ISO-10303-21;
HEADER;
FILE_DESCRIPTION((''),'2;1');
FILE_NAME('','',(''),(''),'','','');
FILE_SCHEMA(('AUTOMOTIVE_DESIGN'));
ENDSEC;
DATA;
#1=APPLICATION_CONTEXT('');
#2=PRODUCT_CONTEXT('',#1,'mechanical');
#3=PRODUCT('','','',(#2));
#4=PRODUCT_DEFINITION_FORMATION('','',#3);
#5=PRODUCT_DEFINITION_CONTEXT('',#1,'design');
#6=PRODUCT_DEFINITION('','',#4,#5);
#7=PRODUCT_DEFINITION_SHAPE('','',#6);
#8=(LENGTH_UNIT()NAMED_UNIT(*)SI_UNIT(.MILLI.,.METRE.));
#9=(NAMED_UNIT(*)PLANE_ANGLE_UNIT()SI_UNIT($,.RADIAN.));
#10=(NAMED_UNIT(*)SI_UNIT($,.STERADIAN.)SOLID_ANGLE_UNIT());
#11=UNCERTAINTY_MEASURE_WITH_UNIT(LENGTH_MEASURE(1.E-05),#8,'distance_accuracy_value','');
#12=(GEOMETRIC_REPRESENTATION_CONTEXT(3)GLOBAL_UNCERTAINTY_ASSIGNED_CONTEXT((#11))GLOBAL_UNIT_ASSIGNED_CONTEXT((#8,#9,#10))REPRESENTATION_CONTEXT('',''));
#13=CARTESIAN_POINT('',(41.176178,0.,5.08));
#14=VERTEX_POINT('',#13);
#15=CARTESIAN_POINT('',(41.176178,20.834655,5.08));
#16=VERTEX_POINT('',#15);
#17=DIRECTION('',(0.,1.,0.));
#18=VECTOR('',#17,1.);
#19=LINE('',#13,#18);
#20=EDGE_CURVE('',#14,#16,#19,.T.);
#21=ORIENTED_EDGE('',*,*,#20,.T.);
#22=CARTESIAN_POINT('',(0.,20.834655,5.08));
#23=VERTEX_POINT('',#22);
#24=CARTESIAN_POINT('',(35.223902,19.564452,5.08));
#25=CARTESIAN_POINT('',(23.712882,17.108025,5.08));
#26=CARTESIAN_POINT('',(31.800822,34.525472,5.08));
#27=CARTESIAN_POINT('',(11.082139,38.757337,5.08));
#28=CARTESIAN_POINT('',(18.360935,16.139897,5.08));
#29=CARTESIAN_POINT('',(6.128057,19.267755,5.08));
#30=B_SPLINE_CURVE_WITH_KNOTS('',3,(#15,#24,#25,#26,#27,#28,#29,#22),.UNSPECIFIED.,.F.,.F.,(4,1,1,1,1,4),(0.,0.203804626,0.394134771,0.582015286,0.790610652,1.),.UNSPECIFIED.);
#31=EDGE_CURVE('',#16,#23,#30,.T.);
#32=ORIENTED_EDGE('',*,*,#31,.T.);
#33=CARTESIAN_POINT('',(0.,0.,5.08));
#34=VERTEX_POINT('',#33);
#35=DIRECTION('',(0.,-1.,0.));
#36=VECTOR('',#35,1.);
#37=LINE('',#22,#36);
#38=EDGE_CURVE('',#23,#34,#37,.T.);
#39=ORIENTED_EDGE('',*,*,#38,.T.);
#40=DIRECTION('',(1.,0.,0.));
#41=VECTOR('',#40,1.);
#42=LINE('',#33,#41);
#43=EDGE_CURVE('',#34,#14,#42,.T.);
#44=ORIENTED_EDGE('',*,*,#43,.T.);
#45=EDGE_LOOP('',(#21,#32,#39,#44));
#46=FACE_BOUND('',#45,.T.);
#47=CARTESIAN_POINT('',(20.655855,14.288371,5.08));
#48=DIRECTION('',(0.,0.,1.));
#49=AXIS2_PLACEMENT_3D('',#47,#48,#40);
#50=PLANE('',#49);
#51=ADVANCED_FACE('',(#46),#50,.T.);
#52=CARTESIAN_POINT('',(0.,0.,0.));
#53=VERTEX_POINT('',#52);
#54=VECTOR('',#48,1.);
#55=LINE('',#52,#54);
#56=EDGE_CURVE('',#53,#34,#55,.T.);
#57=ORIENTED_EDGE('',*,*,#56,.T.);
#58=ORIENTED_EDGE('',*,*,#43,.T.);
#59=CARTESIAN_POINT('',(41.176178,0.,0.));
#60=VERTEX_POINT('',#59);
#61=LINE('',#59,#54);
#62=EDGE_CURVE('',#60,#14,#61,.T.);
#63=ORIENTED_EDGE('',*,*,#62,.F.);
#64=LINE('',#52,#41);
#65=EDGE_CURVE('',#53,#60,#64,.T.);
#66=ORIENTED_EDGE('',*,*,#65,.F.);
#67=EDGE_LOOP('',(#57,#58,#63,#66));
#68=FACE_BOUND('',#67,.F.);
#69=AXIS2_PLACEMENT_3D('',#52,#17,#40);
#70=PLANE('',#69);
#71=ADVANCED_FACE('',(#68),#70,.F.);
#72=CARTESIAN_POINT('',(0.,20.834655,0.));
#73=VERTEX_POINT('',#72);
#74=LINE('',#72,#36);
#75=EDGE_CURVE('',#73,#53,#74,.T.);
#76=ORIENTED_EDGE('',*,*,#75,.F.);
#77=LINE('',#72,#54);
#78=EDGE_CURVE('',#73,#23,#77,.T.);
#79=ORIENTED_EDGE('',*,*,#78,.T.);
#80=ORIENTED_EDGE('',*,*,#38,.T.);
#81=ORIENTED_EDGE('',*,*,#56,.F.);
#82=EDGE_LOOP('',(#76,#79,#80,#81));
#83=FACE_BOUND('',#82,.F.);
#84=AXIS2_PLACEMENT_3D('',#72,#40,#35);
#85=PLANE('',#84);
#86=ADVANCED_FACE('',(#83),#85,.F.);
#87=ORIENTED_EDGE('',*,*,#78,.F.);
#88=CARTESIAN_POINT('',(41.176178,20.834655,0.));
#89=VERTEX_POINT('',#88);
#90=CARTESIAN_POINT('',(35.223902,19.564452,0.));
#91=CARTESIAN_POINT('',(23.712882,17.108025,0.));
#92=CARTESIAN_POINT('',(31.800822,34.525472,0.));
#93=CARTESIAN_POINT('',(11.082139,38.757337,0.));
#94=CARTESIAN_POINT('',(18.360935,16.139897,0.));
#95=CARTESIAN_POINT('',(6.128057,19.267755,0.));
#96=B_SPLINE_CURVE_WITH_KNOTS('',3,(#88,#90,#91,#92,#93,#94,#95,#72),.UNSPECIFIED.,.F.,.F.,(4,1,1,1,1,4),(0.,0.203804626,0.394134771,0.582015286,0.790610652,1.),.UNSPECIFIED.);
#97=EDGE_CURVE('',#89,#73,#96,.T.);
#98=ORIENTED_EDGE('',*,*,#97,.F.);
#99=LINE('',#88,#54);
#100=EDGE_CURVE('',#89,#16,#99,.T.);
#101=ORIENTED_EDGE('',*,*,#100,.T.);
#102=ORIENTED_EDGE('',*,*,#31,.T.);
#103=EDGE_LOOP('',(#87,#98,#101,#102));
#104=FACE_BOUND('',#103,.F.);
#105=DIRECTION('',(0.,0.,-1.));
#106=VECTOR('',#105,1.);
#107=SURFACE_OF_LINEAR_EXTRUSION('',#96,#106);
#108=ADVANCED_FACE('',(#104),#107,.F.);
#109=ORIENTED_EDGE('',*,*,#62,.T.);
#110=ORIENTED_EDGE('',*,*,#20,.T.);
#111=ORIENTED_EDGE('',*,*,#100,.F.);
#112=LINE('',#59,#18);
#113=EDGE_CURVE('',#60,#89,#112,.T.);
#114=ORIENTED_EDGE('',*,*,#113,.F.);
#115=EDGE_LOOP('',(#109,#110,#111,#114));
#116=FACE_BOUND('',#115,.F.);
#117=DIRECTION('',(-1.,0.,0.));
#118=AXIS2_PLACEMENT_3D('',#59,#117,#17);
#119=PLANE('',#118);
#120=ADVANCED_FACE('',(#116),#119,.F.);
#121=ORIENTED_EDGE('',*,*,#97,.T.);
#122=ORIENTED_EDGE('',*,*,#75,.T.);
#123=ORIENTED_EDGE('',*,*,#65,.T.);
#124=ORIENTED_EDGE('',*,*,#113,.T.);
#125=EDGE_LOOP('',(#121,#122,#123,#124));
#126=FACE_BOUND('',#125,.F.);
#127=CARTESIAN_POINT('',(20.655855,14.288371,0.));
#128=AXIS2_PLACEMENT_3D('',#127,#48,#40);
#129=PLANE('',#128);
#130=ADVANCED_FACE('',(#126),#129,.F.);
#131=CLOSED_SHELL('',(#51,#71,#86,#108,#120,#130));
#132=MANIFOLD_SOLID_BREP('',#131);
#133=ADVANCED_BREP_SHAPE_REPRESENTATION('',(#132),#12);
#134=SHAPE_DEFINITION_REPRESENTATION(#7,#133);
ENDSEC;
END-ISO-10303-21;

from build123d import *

# Parameters (mm, degrees)
F1_DEPTH = 25.4
F2_DEPTH = 20.32


with BuildPart() as f1:
    # F0 (on Top) → F1 (new body)
    with BuildSketch(Plane.XY):
        with BuildLine():
            Line((0, 20.8346545696), (0, 0))
            Line((0, 0), (41.1761775613, 0))
            Line((41.1761775613, 0), (41.1761775613, 20.8346545696))
            add(Edge.make_bspline(
                [(41.1761775613, 20.8346545696), (35.2239015074, 19.5644516694), (23.7128823333, 17.1080249502), (31.8008218075, 34.5254715662), (11.0821385924, 38.7573372867), (18.3609350032, 16.1398968216), (6.1280573173, 19.2677548139), (0, 20.8346545696)],
                knots=[0, 0, 0, 0, 0.2038046259, 0.3941347706, 0.5820152857, 0.7906106517, 1, 1, 1, 1], degree=3))
        make_face()
    extrude(amount=F1_DEPTH)

    # F2 (cut): a face of the model
    f2_faces = [f1.faces().sort_by_distance(p)[0] for p in [
        (20.7225782164, 13.2953310401, 25.4),
    ]]
    extrude(f2_faces, amount=-F2_DEPTH, mode=Mode.SUBTRACT)


solid = f1.part
